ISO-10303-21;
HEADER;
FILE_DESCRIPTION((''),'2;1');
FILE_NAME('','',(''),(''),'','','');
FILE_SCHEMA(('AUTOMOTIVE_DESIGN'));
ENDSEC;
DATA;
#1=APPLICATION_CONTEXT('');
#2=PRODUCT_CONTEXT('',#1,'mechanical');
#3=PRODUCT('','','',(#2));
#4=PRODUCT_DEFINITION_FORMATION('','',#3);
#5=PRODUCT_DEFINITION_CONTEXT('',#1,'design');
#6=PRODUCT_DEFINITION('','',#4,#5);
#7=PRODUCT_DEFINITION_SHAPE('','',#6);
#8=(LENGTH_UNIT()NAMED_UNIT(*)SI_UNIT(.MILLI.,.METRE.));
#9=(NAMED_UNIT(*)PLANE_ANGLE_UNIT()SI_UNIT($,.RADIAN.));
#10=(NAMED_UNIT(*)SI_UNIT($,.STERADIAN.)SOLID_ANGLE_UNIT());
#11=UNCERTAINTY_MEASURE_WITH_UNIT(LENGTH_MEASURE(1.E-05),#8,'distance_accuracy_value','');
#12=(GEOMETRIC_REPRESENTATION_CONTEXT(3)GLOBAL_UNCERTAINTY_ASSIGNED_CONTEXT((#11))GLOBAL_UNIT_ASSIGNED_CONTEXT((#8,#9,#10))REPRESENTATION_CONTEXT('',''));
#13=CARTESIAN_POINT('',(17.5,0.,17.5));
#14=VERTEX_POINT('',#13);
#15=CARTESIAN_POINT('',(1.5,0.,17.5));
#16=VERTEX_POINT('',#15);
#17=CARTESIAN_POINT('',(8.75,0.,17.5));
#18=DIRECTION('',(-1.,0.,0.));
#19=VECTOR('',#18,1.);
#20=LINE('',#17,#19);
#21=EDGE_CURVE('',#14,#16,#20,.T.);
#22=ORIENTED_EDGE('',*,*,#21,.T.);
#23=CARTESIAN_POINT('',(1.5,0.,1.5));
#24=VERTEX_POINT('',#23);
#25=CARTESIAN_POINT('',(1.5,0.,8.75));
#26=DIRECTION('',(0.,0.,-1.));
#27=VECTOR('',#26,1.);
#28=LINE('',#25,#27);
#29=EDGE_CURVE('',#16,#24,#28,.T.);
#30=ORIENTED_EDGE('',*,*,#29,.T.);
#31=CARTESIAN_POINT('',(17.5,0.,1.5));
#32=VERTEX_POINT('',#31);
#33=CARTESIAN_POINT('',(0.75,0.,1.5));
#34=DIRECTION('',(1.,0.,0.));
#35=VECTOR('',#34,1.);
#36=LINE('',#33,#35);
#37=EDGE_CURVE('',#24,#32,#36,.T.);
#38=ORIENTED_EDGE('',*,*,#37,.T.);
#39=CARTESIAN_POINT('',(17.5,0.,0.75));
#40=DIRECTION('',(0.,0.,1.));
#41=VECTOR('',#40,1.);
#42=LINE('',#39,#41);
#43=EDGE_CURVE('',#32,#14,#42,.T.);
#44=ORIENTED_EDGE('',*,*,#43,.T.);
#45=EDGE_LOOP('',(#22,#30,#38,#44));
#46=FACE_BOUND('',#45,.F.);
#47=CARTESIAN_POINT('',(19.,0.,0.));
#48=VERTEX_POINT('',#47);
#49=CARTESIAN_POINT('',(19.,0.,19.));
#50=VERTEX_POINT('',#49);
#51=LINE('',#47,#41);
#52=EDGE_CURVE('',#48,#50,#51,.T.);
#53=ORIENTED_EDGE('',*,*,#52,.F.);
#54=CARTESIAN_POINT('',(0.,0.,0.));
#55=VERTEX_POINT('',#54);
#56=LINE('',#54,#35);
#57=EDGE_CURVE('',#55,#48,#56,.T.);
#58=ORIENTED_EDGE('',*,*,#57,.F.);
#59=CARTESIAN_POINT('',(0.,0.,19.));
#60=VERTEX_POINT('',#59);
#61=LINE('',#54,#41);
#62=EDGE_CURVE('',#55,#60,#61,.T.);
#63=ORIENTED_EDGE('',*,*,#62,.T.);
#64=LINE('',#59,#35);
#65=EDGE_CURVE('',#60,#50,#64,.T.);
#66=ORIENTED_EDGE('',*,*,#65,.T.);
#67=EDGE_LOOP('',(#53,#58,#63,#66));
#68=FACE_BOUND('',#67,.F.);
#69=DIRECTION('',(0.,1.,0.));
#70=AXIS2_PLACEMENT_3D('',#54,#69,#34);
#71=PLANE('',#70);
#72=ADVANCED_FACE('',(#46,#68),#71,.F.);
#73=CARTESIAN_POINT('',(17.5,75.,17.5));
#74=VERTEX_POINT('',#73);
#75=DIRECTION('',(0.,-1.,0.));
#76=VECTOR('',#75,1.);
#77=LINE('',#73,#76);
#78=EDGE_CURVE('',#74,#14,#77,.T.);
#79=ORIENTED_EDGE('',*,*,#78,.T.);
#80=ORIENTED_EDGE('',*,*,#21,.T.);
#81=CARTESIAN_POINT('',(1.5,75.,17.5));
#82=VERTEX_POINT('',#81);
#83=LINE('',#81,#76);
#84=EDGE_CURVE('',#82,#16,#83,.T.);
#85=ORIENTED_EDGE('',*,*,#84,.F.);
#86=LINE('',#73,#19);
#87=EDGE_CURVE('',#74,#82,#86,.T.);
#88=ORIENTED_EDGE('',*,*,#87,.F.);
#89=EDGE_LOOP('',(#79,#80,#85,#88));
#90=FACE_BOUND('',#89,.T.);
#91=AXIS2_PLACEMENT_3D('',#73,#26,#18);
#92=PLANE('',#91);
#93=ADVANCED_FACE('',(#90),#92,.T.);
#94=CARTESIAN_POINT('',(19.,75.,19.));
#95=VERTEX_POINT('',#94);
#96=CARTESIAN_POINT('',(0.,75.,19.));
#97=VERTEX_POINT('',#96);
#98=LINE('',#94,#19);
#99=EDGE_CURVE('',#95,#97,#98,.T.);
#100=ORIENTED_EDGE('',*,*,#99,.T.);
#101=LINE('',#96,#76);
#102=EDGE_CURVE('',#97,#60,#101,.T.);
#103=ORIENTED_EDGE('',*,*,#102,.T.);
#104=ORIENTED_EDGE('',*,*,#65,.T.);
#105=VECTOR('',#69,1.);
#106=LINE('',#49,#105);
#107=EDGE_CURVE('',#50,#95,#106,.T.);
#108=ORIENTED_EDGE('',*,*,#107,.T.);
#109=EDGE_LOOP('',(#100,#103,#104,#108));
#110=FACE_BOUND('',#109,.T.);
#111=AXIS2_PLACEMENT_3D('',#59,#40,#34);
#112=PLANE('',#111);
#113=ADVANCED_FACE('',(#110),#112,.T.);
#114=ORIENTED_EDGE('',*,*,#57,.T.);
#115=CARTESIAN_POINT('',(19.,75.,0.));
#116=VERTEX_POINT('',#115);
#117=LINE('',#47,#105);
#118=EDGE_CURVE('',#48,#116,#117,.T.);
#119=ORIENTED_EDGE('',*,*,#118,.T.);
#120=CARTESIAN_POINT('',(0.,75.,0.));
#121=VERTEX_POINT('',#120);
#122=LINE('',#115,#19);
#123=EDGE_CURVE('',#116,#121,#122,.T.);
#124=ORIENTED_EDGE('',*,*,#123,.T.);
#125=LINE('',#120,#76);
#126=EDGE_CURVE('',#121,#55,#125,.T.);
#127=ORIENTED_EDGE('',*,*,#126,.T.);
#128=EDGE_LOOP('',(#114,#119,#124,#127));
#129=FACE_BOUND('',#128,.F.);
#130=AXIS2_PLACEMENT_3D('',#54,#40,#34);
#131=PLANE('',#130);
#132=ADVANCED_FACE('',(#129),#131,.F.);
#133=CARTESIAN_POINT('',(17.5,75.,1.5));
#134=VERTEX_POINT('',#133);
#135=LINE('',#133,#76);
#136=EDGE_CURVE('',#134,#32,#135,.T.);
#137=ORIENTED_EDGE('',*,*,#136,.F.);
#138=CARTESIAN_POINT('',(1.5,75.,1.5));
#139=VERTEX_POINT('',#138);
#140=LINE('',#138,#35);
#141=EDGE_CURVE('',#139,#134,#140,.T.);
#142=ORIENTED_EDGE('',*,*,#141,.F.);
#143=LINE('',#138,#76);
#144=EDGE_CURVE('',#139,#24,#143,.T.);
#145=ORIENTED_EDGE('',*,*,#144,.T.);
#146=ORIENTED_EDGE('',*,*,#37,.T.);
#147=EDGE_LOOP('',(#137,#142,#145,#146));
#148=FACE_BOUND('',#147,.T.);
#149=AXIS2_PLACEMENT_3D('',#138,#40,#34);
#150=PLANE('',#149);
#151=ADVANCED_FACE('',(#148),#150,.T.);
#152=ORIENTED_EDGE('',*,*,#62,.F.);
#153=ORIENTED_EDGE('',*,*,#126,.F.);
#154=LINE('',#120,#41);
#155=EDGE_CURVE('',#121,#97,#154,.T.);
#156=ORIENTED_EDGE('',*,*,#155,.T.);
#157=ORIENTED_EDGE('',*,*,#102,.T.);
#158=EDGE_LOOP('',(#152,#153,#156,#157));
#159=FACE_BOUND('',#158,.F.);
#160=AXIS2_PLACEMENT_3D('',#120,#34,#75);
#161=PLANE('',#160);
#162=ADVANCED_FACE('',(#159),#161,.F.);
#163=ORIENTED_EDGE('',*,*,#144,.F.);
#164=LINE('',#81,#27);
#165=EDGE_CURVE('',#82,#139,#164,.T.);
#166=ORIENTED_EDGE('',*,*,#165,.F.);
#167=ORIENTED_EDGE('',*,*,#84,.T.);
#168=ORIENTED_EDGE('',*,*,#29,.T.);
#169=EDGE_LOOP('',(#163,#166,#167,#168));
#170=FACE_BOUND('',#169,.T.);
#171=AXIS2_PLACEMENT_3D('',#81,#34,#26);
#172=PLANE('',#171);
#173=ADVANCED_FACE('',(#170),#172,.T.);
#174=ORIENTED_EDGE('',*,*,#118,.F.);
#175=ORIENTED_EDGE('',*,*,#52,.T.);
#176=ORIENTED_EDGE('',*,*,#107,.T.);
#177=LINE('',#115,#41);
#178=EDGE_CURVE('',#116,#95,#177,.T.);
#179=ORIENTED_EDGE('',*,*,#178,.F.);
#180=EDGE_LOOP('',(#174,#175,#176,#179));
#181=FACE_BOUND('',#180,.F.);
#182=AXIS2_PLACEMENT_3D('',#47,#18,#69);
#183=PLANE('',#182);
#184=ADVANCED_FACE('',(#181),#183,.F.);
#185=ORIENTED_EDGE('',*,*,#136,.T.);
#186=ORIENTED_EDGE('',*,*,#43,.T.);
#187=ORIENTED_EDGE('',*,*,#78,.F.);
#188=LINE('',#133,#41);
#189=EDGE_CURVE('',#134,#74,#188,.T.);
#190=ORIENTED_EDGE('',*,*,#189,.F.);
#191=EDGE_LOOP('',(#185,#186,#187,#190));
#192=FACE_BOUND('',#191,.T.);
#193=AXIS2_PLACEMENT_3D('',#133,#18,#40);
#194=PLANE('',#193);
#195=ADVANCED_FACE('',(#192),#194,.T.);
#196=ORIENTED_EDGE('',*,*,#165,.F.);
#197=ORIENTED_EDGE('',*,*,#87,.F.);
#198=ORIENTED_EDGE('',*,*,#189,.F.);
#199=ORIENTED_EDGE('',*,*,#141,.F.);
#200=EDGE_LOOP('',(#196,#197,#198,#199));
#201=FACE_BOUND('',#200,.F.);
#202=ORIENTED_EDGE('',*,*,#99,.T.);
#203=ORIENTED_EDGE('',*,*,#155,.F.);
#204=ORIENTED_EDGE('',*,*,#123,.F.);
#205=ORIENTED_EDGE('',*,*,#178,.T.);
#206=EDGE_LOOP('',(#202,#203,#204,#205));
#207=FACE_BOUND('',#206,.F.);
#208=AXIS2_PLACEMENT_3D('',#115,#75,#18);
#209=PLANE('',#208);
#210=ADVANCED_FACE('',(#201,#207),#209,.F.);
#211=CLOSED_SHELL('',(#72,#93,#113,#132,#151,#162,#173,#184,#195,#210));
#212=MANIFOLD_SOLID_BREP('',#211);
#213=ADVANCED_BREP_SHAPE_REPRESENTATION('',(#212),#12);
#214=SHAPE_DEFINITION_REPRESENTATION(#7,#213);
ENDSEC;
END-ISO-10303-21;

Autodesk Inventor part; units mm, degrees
ref_plane "YZ Plane" through (0, 0, 0) normal (1, 0, 0) x (0, 1, 0)
ref_plane "XZ Plane" through (0, 0, 0) normal (0, 1, 0) x (-1, 0, 0)
ref_plane "XY Plane" through (0, 0, 0) normal (0, 0, 1) x (1, 0, 0)
sketch "Sketch2" plane through (0, 0, 0) normal (0, 0, 1) x (1, 0, 0)
  line L0 (0, 0) -> (19, 0)
  line L1 (19, 0) -> (19, 75)
  line L2 (19, 75) -> (0, 75)
  line L3 (0, 75) -> (0, 0)
  dimension "d9" = 19
  dimension "d10" = 75
extrude "Extrusion1" add sketch "Sketch2" along normal blind 19
sketch "Sketch4" plane through (0, 75, 0) normal (0, 1, 0) x (1, 0, 0)
  line L0 (19, 0) -> (0, 0) projected
  line L1 (0, 0) -> (0, -19) projected
  line L2 (19, -19) -> (0, -19) projected
  line L3 (19, 0) -> (19, -19) projected
  line L4 (1.5, -17.5) -> (1.5, -1.5)
  line L5 (1.5, -1.5) -> (17.5, -1.5)
  line L6 (17.5, -1.5) -> (17.5, -17.5)
  line L7 (17.5, -17.5) -> (1.5, -17.5)
  point P0 (0, 0)
  dimension "d11" = 1.5
extrude "Extrusion3" cut sketch "Sketch4" against normal through all contours L4 L5 L6 L7
properties part number "C009" material "Aluminum 6061"
